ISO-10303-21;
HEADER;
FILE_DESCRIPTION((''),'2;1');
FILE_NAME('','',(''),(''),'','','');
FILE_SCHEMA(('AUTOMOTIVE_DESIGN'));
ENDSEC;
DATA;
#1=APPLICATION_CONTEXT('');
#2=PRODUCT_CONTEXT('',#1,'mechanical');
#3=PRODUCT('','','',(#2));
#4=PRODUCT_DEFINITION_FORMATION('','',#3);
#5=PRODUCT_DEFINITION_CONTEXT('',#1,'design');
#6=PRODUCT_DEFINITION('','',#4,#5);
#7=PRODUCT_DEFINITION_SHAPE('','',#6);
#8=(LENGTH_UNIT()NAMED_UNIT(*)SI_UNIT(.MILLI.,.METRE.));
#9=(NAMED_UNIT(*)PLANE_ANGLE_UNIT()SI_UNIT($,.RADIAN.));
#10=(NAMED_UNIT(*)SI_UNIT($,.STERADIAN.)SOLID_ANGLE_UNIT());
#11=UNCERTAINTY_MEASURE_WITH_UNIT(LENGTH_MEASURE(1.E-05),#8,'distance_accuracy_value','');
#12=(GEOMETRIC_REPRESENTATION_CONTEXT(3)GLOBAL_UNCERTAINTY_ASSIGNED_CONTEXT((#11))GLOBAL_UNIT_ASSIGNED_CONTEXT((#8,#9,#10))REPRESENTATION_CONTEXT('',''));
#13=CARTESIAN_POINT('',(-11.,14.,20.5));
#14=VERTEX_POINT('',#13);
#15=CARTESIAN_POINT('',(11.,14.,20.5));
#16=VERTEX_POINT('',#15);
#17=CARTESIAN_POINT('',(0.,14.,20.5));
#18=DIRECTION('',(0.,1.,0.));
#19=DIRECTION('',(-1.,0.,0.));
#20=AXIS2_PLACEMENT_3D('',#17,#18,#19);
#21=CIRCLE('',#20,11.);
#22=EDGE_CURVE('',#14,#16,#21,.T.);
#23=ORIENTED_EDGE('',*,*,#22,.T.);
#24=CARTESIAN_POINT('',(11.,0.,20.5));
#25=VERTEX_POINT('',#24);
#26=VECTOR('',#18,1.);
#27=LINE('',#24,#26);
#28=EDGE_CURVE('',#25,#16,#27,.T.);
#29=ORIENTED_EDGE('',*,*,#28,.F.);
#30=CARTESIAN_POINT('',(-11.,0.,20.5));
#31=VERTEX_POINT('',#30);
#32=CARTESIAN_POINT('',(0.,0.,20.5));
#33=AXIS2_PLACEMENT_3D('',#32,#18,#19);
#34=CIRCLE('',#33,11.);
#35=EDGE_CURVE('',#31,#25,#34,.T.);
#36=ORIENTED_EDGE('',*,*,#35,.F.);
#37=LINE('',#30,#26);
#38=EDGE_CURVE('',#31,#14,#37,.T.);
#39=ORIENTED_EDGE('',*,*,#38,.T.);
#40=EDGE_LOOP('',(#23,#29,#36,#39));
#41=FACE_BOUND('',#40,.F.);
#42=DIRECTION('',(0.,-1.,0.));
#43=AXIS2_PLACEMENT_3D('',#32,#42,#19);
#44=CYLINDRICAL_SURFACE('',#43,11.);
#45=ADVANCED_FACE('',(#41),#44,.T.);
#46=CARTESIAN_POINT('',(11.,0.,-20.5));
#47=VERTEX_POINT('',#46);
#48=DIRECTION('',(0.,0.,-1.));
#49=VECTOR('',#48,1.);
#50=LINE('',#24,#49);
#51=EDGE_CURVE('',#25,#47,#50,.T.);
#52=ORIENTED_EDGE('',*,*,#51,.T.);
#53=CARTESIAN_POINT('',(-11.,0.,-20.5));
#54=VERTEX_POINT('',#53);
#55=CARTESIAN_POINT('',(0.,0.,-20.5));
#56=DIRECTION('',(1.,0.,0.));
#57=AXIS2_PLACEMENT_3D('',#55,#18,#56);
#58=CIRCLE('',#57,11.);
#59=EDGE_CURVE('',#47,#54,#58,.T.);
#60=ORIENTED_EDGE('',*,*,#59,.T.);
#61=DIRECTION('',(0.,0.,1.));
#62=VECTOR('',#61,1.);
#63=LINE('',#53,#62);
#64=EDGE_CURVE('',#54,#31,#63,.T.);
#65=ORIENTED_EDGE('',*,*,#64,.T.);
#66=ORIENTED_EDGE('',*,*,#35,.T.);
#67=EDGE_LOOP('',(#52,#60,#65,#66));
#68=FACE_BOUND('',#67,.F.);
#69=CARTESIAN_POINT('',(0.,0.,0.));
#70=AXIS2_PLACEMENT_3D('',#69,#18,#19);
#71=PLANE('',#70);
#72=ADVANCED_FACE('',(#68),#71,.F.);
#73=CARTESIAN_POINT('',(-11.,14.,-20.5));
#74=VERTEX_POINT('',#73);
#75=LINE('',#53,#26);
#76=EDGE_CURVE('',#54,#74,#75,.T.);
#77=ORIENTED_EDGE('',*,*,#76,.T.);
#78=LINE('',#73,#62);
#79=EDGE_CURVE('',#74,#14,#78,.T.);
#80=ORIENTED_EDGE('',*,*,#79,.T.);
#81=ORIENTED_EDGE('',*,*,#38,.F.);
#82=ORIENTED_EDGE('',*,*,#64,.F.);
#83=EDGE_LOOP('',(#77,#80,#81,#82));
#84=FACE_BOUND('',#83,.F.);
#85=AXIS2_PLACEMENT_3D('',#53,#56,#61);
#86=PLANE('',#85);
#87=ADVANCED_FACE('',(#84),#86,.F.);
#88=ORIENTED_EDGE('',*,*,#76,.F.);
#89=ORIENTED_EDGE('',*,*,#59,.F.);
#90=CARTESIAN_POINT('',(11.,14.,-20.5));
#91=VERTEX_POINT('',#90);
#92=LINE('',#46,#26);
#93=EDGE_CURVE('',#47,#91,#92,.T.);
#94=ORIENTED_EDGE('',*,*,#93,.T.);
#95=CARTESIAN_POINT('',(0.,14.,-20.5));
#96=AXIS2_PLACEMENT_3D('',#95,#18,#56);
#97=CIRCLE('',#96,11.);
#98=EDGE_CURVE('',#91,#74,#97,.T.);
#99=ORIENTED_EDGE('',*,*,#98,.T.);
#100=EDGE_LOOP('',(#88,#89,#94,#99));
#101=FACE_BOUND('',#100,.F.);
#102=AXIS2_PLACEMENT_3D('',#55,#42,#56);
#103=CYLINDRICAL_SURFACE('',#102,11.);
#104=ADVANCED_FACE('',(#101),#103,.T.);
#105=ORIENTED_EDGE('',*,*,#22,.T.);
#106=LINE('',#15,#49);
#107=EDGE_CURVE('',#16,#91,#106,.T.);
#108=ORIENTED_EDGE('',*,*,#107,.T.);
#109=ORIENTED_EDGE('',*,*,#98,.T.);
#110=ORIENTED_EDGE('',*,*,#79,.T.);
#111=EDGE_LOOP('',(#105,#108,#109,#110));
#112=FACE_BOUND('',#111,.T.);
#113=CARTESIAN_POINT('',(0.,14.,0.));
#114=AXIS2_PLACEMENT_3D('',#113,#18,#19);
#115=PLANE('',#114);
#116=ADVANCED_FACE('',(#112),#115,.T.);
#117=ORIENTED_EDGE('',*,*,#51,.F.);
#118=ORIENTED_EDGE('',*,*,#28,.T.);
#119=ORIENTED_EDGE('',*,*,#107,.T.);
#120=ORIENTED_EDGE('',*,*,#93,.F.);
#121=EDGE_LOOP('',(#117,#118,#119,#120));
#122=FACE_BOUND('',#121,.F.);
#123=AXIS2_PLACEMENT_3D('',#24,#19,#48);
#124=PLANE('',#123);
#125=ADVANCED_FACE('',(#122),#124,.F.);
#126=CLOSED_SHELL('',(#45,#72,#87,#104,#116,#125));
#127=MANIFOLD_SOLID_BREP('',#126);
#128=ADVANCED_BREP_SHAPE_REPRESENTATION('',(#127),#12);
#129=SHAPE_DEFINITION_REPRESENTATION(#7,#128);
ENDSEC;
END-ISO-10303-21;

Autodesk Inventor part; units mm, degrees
ref_plane "YZ Plane" through (0, 0, 0) normal (1, 0, 0) x (0, 1, 0)
ref_plane "XZ Plane" through (0, 0, 0) normal (0, 1, 0) x (-1, 0, 0)
ref_plane "XY Plane" through (0, 0, 0) normal (0, 0, 1) x (1, 0, 0)
sketch "Эскиз1" plane through (0, 0, 0) normal (0, 1, 0) x (-1, 0, 0)
  line L0 (0, -20.5) -> (0, 20.5) construction
  line L1 (11, -20.5) -> (11, 20.5)
  line L2 (-11, 20.5) -> (-11, -20.5)
  arc A0 (-11, -20.5) -> (11, -20.5) centre (0, -20.5) ccw
  arc A1 (11, 20.5) -> (-11, 20.5) centre (0, 20.5) ccw
  point P0 (0, 0)
  point P1 (0, 0)
  dimension "d0" = 22
  dimension "d1" = 63
extrude "Выдавливание1" add sketch "Эскиз1" along normal blind 14
properties part number "МПСТ Шпонка переходного вала" material "Сталь, углеродистая"
